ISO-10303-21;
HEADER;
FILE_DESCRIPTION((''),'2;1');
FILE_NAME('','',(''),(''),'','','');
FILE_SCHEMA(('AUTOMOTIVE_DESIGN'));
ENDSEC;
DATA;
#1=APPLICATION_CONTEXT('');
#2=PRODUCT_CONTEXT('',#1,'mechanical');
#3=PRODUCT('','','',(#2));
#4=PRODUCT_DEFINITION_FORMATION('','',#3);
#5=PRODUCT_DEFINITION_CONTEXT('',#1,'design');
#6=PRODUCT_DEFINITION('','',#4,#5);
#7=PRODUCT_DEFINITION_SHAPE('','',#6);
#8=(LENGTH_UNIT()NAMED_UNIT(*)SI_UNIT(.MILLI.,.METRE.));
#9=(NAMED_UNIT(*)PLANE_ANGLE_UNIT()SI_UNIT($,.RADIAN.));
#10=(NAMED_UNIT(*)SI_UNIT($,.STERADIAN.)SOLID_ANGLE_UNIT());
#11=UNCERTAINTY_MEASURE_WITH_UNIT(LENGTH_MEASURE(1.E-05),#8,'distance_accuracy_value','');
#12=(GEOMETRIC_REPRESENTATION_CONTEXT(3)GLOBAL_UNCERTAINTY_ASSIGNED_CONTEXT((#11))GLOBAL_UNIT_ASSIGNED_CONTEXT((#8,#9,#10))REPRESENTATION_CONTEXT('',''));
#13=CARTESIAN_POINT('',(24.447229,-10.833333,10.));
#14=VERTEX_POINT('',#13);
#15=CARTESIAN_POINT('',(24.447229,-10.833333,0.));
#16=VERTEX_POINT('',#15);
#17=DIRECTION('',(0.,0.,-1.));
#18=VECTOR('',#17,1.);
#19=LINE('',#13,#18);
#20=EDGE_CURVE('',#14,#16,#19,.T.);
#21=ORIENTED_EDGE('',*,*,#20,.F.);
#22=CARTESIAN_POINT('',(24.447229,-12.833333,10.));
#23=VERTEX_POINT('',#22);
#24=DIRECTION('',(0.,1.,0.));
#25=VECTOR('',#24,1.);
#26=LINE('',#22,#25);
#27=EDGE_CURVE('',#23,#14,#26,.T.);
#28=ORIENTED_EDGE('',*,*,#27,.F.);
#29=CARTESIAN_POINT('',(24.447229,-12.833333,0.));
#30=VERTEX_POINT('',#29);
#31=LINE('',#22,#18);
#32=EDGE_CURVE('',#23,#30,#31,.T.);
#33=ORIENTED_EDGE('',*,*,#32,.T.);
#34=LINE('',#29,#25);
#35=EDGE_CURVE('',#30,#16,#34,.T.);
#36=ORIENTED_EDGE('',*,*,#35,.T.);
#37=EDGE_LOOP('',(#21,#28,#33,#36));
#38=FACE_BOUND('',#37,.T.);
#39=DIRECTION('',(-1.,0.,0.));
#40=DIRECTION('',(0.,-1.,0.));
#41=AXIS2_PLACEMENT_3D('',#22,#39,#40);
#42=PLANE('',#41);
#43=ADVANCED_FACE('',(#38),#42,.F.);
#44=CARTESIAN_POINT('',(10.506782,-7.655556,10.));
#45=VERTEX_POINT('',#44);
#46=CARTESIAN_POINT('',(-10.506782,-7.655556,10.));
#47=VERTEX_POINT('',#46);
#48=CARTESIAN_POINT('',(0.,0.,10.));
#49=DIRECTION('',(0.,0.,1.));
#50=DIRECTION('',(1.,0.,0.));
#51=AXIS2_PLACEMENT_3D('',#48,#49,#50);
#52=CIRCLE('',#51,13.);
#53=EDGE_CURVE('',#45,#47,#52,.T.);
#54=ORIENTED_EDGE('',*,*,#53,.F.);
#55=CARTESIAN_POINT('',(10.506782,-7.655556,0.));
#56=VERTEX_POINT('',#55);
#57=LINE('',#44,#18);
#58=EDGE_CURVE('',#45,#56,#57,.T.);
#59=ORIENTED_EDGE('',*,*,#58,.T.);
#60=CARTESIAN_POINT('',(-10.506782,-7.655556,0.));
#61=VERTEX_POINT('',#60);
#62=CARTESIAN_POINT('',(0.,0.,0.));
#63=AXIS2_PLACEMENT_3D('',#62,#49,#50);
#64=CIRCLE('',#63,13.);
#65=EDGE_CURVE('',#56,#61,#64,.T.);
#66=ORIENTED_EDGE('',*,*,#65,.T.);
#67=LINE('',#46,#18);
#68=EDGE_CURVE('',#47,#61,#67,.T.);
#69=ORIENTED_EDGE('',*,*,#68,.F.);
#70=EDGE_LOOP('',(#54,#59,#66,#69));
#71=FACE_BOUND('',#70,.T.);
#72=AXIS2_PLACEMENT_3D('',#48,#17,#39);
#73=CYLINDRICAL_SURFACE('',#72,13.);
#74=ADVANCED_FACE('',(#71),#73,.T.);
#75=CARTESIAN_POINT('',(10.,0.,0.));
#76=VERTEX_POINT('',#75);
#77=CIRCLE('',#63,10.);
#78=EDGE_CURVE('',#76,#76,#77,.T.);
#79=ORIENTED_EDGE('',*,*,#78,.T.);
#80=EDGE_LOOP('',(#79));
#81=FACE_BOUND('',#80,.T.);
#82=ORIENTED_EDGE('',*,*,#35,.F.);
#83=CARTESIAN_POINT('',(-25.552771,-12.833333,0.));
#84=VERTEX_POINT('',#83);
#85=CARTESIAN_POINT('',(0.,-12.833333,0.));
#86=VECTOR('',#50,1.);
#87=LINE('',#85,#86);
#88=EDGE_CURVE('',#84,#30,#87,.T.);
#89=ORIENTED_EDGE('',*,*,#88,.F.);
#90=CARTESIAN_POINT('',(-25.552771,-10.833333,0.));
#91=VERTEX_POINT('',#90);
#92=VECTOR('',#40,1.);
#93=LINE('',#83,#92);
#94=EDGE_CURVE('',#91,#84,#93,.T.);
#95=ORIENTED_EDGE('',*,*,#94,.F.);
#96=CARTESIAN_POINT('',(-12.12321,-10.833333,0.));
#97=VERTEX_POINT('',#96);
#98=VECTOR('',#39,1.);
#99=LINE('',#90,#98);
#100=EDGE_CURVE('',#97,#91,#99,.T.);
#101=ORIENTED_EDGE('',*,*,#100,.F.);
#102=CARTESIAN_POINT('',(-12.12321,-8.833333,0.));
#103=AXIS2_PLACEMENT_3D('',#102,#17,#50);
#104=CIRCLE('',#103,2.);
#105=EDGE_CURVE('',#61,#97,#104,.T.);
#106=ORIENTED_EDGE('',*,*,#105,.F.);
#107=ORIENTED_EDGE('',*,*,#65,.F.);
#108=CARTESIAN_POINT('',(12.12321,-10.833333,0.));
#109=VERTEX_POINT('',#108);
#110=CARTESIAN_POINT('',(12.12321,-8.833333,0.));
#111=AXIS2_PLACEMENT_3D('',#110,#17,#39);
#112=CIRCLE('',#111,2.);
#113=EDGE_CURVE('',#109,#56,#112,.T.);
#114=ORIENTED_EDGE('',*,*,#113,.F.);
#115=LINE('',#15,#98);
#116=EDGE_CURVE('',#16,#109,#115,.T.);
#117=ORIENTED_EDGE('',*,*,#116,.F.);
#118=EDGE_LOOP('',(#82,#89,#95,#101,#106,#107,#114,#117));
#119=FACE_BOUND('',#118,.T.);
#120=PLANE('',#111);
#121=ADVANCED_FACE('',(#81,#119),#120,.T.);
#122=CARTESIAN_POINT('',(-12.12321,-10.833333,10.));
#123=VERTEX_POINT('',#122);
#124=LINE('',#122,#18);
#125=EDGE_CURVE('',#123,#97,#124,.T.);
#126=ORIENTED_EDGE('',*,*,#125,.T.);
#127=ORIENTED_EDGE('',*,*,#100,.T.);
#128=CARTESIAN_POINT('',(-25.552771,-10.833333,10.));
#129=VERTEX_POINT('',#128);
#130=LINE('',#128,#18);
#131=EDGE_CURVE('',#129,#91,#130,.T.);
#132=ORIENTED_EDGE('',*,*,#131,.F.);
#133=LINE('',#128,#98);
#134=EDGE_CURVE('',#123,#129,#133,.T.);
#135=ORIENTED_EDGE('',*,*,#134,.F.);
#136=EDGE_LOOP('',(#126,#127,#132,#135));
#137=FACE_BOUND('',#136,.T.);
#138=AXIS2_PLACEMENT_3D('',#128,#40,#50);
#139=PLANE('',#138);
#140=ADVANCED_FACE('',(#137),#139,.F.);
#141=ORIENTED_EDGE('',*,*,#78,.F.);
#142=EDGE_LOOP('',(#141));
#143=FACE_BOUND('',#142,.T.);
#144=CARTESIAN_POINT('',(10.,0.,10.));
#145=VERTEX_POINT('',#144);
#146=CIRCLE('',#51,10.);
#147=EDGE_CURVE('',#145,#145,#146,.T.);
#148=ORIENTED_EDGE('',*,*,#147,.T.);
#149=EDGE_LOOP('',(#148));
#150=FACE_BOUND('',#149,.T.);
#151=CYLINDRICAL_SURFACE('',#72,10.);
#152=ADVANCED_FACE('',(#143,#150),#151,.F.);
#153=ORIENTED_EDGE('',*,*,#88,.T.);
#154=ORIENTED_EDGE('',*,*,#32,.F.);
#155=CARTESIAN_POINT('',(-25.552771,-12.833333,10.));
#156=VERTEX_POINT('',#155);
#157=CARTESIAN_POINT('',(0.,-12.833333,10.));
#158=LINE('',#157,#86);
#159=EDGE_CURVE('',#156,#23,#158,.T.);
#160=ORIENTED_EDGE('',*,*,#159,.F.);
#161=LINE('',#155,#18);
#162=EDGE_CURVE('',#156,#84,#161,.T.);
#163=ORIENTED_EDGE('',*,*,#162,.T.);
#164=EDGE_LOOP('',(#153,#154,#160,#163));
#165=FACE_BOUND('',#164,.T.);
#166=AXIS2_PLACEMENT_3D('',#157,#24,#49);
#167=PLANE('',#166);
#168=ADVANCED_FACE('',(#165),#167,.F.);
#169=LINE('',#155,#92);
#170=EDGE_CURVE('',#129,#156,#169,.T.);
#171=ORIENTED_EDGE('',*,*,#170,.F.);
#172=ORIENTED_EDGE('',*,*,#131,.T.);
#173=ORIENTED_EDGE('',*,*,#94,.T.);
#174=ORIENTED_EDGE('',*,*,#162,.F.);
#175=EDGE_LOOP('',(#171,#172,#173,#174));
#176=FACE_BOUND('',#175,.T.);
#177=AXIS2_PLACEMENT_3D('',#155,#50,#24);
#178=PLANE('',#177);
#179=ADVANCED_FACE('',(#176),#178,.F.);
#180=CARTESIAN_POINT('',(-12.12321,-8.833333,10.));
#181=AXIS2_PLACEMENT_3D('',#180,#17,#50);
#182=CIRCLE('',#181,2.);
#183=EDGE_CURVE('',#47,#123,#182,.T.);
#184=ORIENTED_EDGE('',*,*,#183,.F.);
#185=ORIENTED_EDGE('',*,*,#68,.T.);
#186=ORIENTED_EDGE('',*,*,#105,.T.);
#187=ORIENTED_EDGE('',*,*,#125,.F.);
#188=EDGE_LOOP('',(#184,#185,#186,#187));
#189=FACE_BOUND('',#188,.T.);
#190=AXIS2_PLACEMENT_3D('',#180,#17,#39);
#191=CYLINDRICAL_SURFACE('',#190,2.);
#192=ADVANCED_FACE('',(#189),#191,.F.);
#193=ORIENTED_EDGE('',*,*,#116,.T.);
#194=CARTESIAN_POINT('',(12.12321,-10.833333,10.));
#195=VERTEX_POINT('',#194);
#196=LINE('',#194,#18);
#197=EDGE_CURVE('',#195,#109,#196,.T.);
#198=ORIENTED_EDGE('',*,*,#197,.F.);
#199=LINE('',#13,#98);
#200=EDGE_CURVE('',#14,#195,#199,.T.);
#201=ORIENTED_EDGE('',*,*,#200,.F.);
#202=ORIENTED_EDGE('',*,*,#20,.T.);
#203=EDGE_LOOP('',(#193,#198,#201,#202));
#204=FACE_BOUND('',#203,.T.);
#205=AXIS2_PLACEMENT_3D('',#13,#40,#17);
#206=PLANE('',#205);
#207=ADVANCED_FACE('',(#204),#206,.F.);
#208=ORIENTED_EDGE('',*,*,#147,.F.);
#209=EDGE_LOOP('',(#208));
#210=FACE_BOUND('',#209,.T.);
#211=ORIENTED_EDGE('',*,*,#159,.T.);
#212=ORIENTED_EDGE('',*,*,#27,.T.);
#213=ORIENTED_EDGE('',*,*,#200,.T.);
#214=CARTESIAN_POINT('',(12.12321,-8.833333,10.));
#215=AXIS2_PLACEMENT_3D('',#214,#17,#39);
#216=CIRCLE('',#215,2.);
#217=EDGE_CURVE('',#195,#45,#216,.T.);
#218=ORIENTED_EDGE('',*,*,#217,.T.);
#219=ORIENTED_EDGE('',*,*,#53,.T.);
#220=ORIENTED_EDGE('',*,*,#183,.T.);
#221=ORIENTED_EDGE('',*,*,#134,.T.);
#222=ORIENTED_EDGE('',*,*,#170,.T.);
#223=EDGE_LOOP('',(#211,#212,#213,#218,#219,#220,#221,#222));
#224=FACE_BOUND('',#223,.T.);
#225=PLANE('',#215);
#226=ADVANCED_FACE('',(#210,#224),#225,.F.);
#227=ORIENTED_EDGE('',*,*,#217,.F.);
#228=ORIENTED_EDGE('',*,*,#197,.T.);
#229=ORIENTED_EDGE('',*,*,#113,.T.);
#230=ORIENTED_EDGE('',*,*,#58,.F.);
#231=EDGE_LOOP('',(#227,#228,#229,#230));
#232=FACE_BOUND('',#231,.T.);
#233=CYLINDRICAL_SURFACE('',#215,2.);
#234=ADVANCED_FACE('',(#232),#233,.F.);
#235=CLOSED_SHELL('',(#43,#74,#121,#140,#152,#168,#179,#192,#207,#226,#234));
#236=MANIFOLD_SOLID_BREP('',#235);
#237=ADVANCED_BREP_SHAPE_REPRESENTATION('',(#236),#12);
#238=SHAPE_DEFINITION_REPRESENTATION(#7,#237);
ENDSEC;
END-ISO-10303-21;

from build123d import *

# Parameters (mm, degrees)
ESQUISSE1_R        = 10
BOSS_EXTRU_3_DEPTH = 10


with BuildPart() as part:
    # Esquisse1 → Boss.-Extru.3 (new body)
    with BuildSketch(Plane.XY):
        with BuildLine():
            Line((0, -12.833333333), (-25.552770798, -12.833333333))
            Line((-25.552770798, -12.833333333), (-25.552770798, -10.833333333))
            Line((-25.552770798, -10.833333333), (-12.123210063, -10.833333333))
            ThreePointArc((-12.123210063, -10.833333333), (-10.340577802, -9.740098034), (-10.506782054, -7.655555556))
            ThreePointArc((-10.506782054, -7.655555556), (0, 13), (10.506782054, -7.655555556))
            ThreePointArc((10.506782054, -7.655555556), (10.340577802, -9.740098034), (12.123210063, -10.833333333))
            Line((12.123210063, -10.833333333), (24.447229202, -10.833333333))
            Line((24.447229202, -10.833333333), (24.447229202, -12.833333333))
            Line((24.447229202, -12.833333333), (0, -12.833333333))
        make_face()
        Circle(ESQUISSE1_R, mode=Mode.SUBTRACT)
    extrude(amount=BOSS_EXTRU_3_DEPTH)


solid = part.part
